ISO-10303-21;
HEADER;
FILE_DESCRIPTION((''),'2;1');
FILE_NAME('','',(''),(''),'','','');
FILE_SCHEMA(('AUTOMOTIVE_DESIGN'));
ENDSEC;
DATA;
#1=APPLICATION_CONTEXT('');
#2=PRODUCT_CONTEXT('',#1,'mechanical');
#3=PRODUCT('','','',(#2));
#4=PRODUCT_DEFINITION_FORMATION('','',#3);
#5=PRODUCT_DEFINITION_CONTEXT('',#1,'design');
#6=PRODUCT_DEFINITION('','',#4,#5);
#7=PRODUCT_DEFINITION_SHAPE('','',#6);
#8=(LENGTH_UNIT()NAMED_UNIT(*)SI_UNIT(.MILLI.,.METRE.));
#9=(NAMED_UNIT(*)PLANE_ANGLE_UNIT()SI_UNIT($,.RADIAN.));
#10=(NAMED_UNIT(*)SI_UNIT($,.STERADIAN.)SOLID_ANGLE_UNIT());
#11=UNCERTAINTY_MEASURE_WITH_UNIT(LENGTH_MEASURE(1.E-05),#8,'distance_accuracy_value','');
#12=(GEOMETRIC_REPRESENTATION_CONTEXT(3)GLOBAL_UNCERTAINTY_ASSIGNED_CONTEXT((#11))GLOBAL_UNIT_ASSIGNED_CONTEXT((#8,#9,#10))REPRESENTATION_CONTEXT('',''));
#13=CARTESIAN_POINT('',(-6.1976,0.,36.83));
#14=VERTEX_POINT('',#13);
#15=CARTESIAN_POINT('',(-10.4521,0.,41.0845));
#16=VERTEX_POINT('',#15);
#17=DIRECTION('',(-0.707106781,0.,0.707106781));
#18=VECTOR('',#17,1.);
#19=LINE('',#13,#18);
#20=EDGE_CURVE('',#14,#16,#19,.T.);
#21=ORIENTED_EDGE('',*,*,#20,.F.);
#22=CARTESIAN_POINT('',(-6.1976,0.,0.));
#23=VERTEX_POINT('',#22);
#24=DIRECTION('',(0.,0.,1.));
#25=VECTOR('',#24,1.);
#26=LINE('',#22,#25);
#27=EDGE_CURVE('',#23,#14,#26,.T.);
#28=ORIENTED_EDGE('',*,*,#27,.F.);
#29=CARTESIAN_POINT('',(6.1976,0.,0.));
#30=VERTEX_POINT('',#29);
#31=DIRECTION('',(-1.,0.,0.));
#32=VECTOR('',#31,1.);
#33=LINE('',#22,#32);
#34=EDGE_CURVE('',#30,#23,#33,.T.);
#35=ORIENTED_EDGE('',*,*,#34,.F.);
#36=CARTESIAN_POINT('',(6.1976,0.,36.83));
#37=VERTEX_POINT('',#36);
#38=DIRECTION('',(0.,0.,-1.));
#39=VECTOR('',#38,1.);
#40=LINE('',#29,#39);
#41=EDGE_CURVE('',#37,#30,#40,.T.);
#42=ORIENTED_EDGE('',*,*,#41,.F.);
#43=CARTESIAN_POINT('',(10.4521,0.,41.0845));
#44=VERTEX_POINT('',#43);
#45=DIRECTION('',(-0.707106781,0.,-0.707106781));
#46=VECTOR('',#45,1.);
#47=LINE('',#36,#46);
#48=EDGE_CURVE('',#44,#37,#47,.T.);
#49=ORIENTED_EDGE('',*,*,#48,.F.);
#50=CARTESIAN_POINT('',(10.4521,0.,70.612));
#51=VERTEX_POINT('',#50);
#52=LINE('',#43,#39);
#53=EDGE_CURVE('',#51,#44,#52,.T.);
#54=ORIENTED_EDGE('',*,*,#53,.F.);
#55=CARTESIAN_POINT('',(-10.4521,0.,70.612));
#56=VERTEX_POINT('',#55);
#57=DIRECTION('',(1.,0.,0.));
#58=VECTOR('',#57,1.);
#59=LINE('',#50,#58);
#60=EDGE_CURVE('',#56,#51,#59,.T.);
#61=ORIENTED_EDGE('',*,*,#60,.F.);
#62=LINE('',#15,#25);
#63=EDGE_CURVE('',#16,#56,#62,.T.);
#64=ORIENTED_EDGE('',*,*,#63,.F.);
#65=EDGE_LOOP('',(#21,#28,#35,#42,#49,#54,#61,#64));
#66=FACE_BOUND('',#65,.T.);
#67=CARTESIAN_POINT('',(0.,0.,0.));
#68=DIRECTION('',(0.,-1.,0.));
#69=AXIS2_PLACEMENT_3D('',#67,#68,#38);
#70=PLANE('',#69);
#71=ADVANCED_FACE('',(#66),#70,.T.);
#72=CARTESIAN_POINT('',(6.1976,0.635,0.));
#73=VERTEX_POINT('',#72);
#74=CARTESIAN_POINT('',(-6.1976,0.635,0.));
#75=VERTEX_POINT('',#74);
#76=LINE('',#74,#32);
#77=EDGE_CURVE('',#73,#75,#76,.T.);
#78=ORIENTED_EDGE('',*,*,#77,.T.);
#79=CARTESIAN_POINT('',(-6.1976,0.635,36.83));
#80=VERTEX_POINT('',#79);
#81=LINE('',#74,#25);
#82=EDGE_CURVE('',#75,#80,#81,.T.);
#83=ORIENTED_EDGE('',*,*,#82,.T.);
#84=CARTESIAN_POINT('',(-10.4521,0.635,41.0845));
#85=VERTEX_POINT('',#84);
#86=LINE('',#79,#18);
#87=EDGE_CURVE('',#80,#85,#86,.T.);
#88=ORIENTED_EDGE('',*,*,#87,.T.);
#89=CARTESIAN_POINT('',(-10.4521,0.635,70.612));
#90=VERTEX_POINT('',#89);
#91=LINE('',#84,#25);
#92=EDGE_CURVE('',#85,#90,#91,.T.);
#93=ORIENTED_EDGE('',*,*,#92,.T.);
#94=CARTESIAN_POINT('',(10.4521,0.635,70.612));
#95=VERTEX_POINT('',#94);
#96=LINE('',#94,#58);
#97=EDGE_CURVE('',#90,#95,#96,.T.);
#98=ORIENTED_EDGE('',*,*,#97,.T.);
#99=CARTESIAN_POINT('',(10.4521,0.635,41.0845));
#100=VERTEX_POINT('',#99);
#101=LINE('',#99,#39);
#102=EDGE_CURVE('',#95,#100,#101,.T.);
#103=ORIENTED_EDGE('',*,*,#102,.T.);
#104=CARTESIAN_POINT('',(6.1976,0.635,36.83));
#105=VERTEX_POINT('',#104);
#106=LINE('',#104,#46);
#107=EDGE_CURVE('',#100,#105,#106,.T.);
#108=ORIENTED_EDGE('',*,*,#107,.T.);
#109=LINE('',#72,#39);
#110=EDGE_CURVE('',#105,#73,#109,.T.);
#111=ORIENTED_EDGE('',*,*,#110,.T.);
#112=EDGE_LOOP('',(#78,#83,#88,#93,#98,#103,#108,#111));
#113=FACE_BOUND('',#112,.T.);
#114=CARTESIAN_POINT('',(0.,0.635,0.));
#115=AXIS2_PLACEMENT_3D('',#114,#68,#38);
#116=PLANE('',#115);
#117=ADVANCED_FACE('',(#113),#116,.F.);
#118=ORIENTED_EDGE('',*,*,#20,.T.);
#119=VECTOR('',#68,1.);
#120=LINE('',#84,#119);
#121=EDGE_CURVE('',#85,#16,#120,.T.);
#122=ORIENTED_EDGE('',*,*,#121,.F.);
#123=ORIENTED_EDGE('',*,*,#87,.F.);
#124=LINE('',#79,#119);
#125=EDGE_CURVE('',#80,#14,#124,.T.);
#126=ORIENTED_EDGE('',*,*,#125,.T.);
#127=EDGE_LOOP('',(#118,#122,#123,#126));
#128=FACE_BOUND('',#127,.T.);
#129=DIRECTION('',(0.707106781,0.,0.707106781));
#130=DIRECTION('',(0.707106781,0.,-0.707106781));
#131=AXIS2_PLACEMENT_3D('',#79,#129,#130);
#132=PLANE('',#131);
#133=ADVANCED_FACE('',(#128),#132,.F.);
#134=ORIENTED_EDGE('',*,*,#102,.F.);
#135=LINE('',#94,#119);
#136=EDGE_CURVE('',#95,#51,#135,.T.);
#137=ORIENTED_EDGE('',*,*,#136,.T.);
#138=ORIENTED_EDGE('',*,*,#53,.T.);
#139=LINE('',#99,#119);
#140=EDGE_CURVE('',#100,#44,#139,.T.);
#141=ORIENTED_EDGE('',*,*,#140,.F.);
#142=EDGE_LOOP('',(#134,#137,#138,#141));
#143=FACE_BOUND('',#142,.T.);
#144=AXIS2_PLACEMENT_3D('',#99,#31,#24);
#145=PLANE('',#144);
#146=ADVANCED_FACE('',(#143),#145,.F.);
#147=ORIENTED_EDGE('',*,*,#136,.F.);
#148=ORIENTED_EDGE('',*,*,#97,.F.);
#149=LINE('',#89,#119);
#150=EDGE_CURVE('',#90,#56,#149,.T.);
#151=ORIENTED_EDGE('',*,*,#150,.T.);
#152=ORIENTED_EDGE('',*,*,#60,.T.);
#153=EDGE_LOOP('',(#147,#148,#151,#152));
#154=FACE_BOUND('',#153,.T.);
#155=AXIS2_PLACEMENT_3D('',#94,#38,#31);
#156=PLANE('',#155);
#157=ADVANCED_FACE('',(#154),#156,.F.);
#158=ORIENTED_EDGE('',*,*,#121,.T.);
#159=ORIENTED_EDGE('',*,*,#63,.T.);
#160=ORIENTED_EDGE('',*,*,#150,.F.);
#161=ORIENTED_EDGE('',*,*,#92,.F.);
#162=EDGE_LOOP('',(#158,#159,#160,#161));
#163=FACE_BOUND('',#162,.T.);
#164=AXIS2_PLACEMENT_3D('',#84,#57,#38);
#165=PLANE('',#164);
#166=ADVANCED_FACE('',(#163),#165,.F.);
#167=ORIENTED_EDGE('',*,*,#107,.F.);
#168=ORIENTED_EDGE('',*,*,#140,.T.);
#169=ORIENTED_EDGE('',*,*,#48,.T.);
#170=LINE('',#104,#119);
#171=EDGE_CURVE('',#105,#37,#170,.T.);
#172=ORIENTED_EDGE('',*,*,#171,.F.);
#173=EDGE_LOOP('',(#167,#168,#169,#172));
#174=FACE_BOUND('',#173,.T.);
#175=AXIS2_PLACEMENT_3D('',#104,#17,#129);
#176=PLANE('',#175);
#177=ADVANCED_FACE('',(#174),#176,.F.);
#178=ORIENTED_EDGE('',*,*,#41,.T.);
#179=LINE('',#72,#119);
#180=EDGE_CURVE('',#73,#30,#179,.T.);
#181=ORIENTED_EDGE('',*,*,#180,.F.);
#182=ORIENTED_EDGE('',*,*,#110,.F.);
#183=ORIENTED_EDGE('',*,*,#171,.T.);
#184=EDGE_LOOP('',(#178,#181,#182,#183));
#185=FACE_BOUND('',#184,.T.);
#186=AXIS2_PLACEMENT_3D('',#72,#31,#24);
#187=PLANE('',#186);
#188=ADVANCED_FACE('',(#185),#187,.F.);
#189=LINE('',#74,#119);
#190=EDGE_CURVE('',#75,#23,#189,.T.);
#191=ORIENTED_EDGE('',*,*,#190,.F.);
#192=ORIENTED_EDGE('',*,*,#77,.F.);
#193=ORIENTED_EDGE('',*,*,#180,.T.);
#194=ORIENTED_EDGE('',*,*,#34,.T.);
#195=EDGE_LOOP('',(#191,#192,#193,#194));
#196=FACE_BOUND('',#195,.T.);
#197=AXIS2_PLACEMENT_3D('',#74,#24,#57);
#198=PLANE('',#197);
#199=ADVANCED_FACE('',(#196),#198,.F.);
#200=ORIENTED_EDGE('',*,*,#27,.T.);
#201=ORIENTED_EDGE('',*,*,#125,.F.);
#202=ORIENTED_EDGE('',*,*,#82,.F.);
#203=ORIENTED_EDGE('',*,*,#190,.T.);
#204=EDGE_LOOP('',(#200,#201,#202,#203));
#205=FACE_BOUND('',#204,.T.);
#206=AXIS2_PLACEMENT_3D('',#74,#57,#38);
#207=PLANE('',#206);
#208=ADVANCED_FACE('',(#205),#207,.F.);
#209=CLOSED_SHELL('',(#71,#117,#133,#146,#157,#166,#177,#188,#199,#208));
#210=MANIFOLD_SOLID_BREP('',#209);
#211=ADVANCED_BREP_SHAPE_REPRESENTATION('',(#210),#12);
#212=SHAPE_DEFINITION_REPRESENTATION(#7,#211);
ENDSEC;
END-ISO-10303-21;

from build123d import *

# Parameters (mm, degrees)
BOSS_EXTRUDE1_DEPTH = 0.635


with BuildPart() as part:
    # Sketch1 → Boss-Extrude1 (new body)
    with BuildSketch(Plane(origin=(0, 0, 0), x_dir=(1, 0, 0), z_dir=(0, 1, 0))):
        Polygon((-6.1976, 0), (6.1976, 0), (6.1976, -36.83), (10.4521, -41.0845), (10.4521, -70.612), (-10.4521, -70.612), (-10.4521, -41.0845), (-6.1976, -36.83), align=None)
    extrude(amount=BOSS_EXTRUDE1_DEPTH)


solid = part.part
